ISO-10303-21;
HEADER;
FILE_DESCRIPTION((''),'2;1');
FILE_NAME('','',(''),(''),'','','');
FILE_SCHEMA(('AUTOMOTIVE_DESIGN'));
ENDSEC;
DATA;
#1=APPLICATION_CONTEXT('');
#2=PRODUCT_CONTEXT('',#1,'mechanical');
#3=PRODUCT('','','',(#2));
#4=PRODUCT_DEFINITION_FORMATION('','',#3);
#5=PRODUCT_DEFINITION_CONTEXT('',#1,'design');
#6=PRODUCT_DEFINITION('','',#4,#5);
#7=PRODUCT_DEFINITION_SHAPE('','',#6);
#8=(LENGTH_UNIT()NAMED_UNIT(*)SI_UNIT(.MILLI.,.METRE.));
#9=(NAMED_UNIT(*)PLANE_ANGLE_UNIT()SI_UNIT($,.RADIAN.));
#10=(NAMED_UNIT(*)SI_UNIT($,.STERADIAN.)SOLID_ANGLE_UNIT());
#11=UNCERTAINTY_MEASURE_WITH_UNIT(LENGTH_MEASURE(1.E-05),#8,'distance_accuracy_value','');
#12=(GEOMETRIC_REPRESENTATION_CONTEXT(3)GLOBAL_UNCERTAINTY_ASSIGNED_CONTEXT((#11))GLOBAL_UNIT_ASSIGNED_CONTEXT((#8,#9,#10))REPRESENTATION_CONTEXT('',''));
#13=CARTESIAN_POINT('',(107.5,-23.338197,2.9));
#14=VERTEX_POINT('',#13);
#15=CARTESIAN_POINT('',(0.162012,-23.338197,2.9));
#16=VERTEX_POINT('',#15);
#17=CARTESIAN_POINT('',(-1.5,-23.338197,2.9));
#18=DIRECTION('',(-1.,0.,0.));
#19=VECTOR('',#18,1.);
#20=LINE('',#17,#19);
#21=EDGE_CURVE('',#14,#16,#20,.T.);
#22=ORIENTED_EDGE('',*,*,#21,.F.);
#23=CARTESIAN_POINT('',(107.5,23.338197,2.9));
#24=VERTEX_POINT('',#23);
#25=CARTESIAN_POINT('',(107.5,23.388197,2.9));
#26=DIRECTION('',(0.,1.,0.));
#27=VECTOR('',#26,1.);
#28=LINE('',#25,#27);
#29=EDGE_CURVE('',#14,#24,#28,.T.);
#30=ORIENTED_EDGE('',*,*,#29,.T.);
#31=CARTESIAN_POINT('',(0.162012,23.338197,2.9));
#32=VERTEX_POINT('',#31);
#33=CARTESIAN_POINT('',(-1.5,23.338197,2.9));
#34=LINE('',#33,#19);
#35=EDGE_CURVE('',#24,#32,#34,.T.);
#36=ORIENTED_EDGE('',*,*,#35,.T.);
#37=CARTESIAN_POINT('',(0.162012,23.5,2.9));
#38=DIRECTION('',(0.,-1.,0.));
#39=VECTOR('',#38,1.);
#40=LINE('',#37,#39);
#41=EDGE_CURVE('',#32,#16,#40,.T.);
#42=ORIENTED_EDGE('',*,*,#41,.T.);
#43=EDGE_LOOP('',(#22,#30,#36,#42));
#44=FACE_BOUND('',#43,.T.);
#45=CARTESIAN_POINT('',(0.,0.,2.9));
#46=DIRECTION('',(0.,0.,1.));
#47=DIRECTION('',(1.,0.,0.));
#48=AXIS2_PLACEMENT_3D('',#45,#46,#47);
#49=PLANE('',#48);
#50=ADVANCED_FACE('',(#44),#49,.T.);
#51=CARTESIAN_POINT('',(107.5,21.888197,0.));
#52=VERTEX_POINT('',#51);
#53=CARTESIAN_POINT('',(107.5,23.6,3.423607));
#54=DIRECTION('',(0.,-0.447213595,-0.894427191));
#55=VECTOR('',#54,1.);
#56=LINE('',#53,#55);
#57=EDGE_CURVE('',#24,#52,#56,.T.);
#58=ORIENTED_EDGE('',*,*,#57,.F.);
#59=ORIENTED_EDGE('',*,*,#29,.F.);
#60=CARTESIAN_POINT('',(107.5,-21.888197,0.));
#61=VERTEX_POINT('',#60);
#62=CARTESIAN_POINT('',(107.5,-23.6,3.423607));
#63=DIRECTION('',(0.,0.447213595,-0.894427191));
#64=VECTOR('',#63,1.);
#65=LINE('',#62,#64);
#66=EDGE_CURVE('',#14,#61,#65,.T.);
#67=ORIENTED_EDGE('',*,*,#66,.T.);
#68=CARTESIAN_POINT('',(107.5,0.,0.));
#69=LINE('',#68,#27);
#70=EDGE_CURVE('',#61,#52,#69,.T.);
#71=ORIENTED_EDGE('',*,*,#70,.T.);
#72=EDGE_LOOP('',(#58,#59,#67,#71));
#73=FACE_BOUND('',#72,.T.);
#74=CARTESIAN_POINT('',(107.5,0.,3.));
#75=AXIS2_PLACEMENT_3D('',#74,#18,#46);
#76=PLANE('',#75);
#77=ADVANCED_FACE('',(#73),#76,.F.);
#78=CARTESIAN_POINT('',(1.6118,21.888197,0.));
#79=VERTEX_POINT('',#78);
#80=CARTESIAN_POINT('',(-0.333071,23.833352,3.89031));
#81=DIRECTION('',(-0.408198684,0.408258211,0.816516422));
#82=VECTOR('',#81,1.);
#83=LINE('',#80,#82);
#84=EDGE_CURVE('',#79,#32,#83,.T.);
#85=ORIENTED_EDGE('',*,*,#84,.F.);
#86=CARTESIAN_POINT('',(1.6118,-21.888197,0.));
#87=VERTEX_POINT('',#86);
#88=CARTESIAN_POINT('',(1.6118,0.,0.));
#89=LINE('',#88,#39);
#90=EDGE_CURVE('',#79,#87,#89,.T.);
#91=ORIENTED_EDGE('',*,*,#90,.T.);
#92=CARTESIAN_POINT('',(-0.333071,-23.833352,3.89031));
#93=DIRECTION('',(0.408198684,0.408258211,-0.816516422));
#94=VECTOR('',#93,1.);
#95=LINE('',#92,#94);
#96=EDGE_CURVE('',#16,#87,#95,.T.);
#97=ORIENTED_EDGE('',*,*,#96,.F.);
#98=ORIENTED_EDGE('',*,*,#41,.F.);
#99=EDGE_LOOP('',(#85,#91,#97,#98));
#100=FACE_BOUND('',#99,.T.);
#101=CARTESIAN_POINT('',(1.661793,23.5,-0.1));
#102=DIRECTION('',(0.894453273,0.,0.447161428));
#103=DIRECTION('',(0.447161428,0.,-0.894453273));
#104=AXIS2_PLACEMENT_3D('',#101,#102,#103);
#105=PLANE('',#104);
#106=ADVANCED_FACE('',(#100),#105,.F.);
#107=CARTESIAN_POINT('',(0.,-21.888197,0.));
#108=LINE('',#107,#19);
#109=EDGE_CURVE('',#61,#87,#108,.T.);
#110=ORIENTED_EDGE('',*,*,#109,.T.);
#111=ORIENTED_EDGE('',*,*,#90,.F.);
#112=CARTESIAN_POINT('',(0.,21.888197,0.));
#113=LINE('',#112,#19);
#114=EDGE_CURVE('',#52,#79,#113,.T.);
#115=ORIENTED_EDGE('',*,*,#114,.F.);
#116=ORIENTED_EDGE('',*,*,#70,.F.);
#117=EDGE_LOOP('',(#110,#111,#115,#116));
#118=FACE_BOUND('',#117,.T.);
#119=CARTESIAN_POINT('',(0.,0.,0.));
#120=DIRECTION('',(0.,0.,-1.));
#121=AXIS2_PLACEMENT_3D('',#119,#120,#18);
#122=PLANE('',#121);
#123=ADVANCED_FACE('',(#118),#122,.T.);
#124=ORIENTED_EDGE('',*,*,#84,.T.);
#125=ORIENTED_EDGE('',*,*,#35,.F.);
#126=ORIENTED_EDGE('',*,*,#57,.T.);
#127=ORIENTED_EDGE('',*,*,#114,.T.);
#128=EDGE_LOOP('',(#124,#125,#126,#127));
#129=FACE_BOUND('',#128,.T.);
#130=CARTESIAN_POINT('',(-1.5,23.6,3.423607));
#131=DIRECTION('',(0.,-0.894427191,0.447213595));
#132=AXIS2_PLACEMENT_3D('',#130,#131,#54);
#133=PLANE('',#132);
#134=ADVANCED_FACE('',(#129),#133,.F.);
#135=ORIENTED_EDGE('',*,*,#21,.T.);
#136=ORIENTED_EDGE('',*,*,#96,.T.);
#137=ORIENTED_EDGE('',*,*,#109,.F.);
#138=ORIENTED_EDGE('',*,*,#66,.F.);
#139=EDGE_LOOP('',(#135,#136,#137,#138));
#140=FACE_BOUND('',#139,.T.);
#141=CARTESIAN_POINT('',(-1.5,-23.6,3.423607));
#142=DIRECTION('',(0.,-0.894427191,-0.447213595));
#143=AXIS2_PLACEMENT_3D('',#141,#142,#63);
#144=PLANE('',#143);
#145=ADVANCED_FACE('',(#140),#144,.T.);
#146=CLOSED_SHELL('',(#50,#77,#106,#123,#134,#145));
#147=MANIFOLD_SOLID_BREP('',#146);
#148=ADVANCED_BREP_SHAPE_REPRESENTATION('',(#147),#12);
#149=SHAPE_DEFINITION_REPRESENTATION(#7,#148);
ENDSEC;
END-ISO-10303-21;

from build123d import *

# Parameters (mm, degrees)
SKETCH1_W           = 107.5
SKETCH1_H           = 23.5
BOSS_EXTRUDE1_DEPTH = 3
CUT_EXTRUDE1_DEPTH  = 109
CUT_EXTRUDE2_DEPTH  = 23.5
SKETCH4_W           = 107.387981152
SKETCH4_H           = 23.388196601
CUT_EXTRUDE3_DEPTH  = 0.1


with BuildPart() as part:
    # Sketch1 → Boss-Extrude1 (new body)
    with BuildSketch(Plane.XY):
        with Locations((53.75, 11.75)):
            Rectangle(SKETCH1_W, SKETCH1_H)
    boss_extrude1 = extrude(amount=BOSS_EXTRUDE1_DEPTH)

    # Sketch2 → Cut-Extrude1 (cut)
    with BuildSketch(Plane(origin=(107.5, 0, 0), x_dir=(0, 0, -1), z_dir=(1, 0, 0))):
        Polygon((-3.423606798, 23.6), (0.1, 21.838196601), (0.1, 23.6), align=None)
    cut_extrude1 = extrude(amount=-CUT_EXTRUDE1_DEPTH, mode=Mode.SUBTRACT)

    # Sketch3 → Cut-Extrude2 (cut)
    with BuildSketch(Plane.XZ):
        Polygon((-0.1, -0.1), (1.661792848, -0.1), (-0.1, 3.424099531), align=None)
    cut_extrude2 = extrude(amount=-CUT_EXTRUDE2_DEPTH, mode=Mode.SUBTRACT)

    # Sketch4 → Cut-Extrude3 (cut)
    with BuildSketch(Plane.XY.offset(3)):
        with Locations((53.806009424, 11.694098301)):
            Rectangle(SKETCH4_W, SKETCH4_H)
    cut_extrude3 = extrude(amount=-CUT_EXTRUDE3_DEPTH, mode=Mode.SUBTRACT)

    # Mirror2: Boss-Extrude1, Cut-Extrude1, Cut-Extrude2, Cut-Extrude3 across plane
    add(boss_extrude1.mirror(Plane(origin=(0, 0, 3), x_dir=(0, 0, 1), z_dir=(0, 1, 0))))
    add(cut_extrude1.mirror(Plane(origin=(0, 0, 3), x_dir=(0, 0, 1), z_dir=(0, 1, 0))), mode=Mode.SUBTRACT)
    add(cut_extrude2.mirror(Plane(origin=(0, 0, 3), x_dir=(0, 0, 1), z_dir=(0, 1, 0))), mode=Mode.SUBTRACT)
    add(cut_extrude3.mirror(Plane(origin=(0, 0, 3), x_dir=(0, 0, 1), z_dir=(0, 1, 0))), mode=Mode.SUBTRACT)


solid = part.part
